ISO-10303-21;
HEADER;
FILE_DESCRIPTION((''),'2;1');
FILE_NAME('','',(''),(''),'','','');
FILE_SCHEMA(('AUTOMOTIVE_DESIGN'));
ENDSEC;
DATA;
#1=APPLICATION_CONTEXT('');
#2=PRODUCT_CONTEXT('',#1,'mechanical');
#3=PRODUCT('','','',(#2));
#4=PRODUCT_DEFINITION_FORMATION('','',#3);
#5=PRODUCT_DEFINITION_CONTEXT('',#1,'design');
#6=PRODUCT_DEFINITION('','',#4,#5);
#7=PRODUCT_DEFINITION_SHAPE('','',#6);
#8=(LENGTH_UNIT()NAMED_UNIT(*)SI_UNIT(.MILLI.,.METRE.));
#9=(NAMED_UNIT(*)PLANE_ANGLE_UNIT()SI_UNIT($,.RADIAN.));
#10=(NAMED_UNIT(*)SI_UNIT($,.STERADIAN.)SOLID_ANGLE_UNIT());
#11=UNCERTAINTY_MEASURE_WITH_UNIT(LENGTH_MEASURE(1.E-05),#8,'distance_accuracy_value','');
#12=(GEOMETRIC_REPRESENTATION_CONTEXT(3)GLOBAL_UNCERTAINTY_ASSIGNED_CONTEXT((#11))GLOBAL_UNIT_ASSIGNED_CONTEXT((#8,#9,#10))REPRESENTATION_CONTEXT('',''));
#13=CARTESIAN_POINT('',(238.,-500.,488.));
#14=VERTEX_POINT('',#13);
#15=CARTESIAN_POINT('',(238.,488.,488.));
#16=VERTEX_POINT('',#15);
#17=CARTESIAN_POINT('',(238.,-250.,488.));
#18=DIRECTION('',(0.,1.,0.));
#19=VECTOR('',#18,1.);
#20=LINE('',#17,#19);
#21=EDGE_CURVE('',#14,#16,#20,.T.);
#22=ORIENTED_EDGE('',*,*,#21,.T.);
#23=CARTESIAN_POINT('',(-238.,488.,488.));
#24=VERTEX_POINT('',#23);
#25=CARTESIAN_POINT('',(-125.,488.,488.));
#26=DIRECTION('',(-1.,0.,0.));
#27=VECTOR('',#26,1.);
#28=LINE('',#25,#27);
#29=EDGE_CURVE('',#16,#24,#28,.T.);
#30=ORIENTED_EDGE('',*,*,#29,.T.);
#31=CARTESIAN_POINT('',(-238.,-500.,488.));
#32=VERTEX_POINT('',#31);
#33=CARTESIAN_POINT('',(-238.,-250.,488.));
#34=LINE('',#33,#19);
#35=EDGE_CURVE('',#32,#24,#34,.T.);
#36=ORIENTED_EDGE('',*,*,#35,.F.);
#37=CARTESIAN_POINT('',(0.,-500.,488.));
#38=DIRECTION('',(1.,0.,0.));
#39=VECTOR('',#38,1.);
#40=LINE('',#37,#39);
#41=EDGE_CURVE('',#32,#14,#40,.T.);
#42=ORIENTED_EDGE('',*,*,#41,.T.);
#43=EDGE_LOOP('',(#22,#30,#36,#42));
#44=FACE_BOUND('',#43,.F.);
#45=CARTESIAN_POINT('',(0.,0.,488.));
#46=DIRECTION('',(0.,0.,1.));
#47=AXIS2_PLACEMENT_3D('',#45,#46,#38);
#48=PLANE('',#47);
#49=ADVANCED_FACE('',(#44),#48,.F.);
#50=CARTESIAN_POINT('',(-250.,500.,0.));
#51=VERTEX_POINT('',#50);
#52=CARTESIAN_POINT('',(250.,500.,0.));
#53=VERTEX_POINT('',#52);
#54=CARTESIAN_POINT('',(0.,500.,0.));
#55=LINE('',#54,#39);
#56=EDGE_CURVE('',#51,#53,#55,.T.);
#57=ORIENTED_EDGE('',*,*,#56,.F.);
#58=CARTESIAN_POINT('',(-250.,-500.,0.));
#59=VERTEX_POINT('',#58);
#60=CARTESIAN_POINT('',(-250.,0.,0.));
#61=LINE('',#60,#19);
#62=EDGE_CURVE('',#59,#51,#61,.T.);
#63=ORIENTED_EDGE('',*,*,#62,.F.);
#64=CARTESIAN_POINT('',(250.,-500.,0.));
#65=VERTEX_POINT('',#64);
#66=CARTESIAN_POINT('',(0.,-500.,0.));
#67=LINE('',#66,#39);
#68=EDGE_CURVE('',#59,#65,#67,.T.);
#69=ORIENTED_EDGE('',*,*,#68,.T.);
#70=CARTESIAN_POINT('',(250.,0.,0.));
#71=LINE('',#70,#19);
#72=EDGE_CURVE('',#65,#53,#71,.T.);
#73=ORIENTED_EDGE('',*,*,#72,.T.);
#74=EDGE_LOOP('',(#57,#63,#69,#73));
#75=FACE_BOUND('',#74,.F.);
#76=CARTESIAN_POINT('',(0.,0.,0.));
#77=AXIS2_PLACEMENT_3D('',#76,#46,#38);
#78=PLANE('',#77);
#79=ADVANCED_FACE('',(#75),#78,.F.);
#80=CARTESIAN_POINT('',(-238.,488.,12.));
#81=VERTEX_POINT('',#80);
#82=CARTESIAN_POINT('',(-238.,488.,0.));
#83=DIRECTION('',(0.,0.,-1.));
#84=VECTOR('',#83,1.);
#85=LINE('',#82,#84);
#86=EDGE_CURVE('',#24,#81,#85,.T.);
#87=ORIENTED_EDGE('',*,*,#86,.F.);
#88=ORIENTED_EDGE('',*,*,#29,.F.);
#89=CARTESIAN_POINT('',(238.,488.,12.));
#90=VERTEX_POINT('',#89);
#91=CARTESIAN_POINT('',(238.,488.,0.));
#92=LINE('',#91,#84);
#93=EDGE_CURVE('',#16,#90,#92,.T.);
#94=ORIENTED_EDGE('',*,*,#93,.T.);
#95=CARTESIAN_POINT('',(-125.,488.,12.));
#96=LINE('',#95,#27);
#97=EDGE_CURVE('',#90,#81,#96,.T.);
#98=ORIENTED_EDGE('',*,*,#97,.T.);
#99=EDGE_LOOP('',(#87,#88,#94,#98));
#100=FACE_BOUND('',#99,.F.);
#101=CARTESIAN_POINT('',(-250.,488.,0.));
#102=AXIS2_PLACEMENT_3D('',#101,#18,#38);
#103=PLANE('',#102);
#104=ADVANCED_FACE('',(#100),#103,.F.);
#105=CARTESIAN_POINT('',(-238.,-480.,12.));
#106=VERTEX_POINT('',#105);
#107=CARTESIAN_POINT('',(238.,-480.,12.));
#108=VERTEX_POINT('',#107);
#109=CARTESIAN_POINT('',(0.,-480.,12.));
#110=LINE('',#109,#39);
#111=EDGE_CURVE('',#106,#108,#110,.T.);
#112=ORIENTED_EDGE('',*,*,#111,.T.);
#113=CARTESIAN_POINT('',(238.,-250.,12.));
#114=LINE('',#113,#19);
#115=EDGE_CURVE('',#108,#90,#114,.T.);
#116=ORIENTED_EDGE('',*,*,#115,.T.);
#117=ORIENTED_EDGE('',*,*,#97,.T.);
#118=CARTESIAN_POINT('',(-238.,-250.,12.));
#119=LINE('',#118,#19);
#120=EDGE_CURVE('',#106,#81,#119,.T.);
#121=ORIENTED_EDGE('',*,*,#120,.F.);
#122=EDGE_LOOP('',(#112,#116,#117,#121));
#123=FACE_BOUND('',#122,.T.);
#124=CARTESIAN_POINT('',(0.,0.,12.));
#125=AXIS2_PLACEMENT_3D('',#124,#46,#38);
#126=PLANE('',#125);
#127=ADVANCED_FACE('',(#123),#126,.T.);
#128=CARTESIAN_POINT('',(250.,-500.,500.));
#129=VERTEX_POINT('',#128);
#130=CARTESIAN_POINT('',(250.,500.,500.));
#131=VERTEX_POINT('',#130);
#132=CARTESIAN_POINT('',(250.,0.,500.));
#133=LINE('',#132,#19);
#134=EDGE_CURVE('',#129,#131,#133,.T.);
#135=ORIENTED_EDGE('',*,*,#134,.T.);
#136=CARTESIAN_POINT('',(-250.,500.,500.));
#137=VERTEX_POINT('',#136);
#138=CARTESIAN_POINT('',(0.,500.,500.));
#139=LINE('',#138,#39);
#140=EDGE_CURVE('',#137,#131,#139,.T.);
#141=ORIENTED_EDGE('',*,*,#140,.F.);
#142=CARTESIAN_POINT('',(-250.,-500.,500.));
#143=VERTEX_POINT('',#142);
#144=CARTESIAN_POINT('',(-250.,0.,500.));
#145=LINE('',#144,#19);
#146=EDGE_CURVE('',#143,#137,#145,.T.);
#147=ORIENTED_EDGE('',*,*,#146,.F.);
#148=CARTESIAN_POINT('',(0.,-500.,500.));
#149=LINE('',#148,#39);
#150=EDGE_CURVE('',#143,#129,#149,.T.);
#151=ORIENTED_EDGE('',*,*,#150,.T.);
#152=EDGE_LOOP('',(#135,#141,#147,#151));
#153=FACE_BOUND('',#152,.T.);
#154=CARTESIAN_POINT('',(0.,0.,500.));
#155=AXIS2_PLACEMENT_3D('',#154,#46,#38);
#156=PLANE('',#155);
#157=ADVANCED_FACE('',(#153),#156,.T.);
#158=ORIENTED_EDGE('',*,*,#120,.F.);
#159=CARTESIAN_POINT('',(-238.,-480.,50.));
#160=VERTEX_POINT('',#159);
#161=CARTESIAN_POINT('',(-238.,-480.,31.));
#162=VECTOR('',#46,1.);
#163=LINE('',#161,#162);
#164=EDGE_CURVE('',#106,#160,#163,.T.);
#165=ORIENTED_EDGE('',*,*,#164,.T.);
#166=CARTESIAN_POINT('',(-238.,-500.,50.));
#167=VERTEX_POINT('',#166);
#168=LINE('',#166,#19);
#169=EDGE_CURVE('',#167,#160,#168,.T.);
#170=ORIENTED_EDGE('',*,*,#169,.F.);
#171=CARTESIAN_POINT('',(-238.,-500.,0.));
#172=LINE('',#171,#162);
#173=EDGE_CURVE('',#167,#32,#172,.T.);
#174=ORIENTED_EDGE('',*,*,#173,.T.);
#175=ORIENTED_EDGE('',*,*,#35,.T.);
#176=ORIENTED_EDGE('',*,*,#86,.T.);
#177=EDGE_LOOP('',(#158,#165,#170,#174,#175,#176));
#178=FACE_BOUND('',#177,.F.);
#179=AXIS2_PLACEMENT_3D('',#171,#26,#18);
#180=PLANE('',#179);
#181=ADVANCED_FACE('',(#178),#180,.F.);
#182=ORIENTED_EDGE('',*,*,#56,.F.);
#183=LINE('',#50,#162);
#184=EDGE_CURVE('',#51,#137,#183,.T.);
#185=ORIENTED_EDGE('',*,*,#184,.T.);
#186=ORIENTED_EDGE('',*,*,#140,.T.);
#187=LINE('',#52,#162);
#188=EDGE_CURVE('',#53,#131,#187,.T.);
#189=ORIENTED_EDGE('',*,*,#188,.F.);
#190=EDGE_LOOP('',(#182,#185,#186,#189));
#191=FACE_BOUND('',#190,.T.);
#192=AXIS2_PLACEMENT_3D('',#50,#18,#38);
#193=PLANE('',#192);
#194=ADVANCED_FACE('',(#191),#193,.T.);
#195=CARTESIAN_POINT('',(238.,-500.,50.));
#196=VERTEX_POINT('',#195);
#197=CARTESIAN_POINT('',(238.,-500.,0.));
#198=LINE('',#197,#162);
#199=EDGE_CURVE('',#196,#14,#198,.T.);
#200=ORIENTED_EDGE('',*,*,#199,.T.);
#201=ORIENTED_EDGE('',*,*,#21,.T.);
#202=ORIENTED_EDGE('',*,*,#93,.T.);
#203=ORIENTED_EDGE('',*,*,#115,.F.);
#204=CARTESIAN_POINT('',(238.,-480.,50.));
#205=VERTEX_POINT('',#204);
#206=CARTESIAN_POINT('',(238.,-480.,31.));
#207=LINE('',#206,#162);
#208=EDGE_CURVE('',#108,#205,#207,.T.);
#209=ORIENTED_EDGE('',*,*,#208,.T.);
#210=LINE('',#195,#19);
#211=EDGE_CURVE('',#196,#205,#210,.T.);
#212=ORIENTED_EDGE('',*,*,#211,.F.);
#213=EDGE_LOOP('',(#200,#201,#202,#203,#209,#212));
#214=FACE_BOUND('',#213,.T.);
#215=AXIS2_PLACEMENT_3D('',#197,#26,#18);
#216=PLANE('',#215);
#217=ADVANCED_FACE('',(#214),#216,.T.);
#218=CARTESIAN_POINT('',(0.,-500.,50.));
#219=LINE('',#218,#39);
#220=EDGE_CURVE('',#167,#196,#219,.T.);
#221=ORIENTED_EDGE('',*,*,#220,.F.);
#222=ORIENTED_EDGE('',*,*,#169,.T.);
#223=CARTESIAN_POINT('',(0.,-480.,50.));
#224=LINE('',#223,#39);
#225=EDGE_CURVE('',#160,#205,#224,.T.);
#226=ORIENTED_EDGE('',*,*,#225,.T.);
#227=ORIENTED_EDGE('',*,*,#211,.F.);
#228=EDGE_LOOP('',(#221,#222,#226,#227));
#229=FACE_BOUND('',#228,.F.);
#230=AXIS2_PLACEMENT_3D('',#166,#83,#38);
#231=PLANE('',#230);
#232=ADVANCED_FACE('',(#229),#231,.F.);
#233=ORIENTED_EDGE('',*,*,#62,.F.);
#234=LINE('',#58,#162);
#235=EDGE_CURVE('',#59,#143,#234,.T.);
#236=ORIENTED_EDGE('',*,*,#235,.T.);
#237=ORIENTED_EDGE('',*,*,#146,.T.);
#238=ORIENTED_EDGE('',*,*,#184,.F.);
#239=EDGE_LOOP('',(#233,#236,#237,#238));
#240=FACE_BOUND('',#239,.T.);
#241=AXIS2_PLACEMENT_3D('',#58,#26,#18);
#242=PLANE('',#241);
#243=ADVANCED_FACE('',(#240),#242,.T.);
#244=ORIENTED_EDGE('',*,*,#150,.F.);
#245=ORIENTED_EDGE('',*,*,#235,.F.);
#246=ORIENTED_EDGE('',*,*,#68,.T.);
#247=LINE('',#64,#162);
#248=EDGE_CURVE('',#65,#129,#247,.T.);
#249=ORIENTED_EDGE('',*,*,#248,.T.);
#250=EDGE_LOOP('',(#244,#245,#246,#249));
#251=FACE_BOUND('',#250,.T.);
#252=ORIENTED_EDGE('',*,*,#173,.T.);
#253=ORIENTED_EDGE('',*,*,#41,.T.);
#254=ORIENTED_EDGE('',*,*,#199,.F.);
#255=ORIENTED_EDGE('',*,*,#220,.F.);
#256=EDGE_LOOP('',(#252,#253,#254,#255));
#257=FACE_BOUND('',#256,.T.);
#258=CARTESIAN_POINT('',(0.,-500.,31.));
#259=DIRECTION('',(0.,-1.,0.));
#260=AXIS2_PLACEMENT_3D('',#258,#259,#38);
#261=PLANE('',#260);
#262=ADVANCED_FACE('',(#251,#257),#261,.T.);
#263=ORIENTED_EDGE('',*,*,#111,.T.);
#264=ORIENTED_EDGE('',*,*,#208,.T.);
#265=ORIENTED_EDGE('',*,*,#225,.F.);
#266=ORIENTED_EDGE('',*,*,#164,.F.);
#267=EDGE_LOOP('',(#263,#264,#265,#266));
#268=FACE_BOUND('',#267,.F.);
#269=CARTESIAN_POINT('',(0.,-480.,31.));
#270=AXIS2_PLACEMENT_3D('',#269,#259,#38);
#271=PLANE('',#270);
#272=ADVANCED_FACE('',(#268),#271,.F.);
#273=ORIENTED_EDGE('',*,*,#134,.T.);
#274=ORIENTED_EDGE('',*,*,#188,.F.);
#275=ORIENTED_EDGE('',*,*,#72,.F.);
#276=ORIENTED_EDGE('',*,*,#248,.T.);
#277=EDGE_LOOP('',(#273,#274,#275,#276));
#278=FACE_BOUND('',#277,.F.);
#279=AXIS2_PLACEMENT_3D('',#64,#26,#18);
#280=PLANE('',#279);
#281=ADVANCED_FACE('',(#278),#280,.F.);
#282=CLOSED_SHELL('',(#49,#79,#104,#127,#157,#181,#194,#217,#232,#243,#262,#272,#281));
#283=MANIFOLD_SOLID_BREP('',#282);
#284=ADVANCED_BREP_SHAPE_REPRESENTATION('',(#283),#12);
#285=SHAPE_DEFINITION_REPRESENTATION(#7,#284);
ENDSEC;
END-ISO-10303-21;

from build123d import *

# Parameters (mm, degrees)
F0_W     = 500
F0_H     = 1000
F1_DEPTH = 500
F2_T     = -12
F3_W     = 476
F3_H     = 38
F4_DEPTH = 20


with BuildPart() as f1:
    # F0 (on Top) → F1 (new body)
    with BuildSketch(Plane.XY):
        Rectangle(F0_W, F0_H)
    extrude(amount=F1_DEPTH)

    # F2
    f2_openings = [f1.faces().sort_by_distance(p)[0] for p in [
        (0, -500, 250),
    ]]
    offset(amount=F2_T, openings=f2_openings)

    # F3 (on face) → F4 (join)
    with BuildSketch(Plane.XZ.offset(500)):
        with Locations((0, 31)):
            Rectangle(F3_W, F3_H)
    extrude(amount=-F4_DEPTH)


solid = f1.part
